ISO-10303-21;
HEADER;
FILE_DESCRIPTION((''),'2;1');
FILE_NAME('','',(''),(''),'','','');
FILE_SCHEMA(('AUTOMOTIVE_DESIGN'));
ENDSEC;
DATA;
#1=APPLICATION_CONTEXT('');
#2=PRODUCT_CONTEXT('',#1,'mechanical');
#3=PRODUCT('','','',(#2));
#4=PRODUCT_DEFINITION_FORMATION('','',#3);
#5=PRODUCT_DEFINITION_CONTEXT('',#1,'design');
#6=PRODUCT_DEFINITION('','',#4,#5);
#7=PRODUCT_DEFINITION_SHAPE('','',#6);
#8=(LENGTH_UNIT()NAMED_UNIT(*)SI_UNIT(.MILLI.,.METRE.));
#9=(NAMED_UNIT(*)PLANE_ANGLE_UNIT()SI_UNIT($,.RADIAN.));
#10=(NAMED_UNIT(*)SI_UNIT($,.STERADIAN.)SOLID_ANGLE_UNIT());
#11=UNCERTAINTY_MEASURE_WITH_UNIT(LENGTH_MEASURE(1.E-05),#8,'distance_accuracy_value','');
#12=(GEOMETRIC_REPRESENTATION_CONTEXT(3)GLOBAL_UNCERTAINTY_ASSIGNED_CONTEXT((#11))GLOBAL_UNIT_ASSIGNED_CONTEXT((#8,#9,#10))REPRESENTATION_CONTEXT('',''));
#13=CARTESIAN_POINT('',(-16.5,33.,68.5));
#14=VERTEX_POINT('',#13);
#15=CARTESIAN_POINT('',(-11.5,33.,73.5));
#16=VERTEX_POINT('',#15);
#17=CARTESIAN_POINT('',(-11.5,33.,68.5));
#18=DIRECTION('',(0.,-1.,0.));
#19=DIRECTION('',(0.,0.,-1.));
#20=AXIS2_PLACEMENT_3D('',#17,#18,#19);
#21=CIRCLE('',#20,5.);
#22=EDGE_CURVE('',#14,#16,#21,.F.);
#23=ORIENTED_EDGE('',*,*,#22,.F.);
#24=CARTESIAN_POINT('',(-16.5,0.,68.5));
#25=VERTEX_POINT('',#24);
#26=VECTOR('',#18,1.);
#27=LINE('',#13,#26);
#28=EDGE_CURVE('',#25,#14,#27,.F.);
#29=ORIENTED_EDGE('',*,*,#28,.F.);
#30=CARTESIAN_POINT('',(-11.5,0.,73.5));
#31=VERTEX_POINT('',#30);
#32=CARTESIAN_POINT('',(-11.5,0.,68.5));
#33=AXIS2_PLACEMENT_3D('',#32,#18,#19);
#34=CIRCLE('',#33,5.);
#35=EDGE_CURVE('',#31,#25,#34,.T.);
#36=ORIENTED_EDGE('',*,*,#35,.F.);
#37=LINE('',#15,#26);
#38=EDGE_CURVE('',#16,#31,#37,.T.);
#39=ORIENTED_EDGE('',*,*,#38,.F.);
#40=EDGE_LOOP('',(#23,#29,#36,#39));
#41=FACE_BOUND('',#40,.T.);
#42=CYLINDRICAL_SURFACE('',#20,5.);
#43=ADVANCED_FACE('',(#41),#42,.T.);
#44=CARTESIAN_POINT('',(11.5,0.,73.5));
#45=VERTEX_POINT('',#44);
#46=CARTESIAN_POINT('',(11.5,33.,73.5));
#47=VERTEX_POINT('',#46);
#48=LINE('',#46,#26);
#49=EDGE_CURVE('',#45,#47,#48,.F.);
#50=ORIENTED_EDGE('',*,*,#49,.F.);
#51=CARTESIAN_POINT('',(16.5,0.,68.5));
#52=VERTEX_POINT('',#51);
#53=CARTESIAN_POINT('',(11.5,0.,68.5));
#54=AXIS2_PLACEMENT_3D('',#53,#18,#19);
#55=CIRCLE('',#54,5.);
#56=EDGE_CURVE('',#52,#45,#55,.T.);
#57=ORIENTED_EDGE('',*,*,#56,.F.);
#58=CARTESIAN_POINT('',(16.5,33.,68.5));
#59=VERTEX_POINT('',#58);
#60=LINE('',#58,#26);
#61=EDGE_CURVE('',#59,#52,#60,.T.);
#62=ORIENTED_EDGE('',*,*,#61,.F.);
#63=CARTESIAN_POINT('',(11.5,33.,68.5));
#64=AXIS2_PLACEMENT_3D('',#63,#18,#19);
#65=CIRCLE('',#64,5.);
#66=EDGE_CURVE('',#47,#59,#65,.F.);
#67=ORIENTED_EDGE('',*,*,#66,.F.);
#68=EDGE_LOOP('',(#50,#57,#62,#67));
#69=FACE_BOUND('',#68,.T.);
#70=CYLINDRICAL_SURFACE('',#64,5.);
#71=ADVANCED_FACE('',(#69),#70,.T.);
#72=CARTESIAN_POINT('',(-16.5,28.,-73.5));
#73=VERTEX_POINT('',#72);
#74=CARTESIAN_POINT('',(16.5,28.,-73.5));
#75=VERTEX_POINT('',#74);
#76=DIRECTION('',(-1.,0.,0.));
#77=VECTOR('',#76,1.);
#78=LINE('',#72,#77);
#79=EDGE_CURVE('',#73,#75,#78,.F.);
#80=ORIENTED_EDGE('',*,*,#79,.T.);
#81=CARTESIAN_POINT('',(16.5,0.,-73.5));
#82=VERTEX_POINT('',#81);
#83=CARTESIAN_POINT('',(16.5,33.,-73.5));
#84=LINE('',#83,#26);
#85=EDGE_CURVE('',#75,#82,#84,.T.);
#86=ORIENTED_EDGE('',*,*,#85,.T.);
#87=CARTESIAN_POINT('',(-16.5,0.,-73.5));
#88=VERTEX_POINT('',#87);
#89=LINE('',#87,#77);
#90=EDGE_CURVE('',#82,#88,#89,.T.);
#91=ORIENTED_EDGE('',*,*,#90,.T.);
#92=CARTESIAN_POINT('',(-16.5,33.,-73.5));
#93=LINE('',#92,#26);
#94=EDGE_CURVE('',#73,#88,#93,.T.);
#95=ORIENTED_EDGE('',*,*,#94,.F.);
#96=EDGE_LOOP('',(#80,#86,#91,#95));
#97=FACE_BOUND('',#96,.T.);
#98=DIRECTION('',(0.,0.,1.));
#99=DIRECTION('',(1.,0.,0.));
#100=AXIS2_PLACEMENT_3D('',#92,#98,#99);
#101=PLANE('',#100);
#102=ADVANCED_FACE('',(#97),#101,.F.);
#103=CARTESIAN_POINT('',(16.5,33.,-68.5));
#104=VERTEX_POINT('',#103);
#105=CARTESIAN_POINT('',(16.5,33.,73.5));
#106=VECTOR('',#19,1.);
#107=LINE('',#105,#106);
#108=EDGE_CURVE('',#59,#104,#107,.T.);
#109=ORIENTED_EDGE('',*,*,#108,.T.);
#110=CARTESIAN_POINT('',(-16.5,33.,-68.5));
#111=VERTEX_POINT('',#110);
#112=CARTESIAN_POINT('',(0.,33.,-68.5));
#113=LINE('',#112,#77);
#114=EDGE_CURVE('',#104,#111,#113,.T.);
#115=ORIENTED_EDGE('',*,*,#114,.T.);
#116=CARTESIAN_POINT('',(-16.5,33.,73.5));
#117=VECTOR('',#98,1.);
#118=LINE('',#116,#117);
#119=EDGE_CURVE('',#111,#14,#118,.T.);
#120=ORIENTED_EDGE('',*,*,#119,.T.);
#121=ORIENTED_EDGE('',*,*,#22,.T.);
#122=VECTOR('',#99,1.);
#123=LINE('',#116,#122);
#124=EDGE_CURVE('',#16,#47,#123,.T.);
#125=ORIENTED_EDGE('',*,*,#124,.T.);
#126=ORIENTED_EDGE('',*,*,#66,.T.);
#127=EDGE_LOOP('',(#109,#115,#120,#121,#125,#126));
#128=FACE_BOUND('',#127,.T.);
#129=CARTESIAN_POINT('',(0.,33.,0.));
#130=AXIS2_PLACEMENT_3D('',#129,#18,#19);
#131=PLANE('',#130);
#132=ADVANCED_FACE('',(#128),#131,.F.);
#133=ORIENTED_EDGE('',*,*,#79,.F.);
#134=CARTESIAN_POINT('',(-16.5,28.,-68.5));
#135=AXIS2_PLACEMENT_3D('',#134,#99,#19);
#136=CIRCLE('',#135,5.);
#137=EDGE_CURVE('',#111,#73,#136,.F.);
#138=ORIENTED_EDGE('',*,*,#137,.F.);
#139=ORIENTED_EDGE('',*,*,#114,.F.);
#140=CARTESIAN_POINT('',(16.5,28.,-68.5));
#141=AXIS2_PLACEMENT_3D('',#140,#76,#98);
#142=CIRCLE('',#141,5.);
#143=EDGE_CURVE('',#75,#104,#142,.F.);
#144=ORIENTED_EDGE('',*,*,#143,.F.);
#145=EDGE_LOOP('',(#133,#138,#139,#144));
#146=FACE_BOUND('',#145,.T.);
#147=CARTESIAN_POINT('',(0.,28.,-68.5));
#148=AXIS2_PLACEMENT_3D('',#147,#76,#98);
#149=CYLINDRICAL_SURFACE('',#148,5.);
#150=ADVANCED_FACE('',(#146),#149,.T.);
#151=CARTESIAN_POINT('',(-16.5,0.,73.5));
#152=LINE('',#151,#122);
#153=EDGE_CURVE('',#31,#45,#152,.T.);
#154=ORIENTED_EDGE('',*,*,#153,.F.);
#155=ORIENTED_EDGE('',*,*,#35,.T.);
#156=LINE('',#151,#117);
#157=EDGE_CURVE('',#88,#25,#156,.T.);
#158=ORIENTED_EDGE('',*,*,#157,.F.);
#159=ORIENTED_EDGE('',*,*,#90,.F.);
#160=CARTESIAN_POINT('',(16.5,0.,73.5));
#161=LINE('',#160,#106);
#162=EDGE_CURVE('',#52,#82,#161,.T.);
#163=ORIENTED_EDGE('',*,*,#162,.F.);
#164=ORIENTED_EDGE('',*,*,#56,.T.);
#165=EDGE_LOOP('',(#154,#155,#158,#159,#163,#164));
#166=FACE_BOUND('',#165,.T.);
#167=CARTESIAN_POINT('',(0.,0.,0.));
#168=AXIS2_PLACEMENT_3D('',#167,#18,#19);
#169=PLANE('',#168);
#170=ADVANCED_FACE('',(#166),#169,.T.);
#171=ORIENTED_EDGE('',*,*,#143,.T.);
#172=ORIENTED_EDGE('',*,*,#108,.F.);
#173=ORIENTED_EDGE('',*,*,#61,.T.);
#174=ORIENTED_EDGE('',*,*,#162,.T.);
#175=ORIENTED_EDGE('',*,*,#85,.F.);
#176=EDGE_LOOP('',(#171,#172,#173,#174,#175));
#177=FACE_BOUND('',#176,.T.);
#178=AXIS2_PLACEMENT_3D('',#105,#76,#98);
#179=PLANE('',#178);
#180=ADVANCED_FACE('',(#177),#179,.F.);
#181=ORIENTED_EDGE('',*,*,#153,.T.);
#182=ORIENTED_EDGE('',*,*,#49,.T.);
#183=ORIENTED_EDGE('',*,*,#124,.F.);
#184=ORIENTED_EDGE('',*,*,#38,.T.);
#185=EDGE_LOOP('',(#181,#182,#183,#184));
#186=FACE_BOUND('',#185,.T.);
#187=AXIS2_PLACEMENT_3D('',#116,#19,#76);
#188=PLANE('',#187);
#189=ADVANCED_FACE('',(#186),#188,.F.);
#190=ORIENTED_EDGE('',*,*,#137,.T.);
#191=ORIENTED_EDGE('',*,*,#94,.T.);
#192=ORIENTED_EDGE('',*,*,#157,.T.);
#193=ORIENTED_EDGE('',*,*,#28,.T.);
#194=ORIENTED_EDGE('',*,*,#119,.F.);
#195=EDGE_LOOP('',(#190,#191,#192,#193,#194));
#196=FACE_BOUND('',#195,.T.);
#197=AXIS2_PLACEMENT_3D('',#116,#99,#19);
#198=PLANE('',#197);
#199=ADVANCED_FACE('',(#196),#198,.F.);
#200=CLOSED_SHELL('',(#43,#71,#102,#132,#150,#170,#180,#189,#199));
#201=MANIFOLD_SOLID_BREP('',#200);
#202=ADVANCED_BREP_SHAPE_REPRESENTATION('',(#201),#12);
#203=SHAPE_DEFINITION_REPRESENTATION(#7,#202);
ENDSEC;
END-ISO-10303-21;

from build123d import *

# Parameters (mm, degrees)
SKETCH1_W           = 33
SKETCH1_H           = 147
BOSS_EXTRUDE1_DEPTH = 33
FILLET1_R           = 5


with BuildPart() as part:
    # Sketch1 → Boss-Extrude1 (new body)
    with BuildSketch(Plane(origin=(0, 0, 0), x_dir=(1, 0, 0), z_dir=(0, 1, 0))):
        Rectangle(SKETCH1_W, SKETCH1_H)
    extrude(amount=BOSS_EXTRUDE1_DEPTH)

    # Fillet1
    fillet1_edges = [part.edges().sort_by_distance(p)[0] for p in [
        (0, 33, -73.5),
        (16.5, 16.5, 73.5),
        (-16.5, 16.5, 73.5),
    ]]
    fillet(fillet1_edges, radius=FILLET1_R)


solid = part.part
